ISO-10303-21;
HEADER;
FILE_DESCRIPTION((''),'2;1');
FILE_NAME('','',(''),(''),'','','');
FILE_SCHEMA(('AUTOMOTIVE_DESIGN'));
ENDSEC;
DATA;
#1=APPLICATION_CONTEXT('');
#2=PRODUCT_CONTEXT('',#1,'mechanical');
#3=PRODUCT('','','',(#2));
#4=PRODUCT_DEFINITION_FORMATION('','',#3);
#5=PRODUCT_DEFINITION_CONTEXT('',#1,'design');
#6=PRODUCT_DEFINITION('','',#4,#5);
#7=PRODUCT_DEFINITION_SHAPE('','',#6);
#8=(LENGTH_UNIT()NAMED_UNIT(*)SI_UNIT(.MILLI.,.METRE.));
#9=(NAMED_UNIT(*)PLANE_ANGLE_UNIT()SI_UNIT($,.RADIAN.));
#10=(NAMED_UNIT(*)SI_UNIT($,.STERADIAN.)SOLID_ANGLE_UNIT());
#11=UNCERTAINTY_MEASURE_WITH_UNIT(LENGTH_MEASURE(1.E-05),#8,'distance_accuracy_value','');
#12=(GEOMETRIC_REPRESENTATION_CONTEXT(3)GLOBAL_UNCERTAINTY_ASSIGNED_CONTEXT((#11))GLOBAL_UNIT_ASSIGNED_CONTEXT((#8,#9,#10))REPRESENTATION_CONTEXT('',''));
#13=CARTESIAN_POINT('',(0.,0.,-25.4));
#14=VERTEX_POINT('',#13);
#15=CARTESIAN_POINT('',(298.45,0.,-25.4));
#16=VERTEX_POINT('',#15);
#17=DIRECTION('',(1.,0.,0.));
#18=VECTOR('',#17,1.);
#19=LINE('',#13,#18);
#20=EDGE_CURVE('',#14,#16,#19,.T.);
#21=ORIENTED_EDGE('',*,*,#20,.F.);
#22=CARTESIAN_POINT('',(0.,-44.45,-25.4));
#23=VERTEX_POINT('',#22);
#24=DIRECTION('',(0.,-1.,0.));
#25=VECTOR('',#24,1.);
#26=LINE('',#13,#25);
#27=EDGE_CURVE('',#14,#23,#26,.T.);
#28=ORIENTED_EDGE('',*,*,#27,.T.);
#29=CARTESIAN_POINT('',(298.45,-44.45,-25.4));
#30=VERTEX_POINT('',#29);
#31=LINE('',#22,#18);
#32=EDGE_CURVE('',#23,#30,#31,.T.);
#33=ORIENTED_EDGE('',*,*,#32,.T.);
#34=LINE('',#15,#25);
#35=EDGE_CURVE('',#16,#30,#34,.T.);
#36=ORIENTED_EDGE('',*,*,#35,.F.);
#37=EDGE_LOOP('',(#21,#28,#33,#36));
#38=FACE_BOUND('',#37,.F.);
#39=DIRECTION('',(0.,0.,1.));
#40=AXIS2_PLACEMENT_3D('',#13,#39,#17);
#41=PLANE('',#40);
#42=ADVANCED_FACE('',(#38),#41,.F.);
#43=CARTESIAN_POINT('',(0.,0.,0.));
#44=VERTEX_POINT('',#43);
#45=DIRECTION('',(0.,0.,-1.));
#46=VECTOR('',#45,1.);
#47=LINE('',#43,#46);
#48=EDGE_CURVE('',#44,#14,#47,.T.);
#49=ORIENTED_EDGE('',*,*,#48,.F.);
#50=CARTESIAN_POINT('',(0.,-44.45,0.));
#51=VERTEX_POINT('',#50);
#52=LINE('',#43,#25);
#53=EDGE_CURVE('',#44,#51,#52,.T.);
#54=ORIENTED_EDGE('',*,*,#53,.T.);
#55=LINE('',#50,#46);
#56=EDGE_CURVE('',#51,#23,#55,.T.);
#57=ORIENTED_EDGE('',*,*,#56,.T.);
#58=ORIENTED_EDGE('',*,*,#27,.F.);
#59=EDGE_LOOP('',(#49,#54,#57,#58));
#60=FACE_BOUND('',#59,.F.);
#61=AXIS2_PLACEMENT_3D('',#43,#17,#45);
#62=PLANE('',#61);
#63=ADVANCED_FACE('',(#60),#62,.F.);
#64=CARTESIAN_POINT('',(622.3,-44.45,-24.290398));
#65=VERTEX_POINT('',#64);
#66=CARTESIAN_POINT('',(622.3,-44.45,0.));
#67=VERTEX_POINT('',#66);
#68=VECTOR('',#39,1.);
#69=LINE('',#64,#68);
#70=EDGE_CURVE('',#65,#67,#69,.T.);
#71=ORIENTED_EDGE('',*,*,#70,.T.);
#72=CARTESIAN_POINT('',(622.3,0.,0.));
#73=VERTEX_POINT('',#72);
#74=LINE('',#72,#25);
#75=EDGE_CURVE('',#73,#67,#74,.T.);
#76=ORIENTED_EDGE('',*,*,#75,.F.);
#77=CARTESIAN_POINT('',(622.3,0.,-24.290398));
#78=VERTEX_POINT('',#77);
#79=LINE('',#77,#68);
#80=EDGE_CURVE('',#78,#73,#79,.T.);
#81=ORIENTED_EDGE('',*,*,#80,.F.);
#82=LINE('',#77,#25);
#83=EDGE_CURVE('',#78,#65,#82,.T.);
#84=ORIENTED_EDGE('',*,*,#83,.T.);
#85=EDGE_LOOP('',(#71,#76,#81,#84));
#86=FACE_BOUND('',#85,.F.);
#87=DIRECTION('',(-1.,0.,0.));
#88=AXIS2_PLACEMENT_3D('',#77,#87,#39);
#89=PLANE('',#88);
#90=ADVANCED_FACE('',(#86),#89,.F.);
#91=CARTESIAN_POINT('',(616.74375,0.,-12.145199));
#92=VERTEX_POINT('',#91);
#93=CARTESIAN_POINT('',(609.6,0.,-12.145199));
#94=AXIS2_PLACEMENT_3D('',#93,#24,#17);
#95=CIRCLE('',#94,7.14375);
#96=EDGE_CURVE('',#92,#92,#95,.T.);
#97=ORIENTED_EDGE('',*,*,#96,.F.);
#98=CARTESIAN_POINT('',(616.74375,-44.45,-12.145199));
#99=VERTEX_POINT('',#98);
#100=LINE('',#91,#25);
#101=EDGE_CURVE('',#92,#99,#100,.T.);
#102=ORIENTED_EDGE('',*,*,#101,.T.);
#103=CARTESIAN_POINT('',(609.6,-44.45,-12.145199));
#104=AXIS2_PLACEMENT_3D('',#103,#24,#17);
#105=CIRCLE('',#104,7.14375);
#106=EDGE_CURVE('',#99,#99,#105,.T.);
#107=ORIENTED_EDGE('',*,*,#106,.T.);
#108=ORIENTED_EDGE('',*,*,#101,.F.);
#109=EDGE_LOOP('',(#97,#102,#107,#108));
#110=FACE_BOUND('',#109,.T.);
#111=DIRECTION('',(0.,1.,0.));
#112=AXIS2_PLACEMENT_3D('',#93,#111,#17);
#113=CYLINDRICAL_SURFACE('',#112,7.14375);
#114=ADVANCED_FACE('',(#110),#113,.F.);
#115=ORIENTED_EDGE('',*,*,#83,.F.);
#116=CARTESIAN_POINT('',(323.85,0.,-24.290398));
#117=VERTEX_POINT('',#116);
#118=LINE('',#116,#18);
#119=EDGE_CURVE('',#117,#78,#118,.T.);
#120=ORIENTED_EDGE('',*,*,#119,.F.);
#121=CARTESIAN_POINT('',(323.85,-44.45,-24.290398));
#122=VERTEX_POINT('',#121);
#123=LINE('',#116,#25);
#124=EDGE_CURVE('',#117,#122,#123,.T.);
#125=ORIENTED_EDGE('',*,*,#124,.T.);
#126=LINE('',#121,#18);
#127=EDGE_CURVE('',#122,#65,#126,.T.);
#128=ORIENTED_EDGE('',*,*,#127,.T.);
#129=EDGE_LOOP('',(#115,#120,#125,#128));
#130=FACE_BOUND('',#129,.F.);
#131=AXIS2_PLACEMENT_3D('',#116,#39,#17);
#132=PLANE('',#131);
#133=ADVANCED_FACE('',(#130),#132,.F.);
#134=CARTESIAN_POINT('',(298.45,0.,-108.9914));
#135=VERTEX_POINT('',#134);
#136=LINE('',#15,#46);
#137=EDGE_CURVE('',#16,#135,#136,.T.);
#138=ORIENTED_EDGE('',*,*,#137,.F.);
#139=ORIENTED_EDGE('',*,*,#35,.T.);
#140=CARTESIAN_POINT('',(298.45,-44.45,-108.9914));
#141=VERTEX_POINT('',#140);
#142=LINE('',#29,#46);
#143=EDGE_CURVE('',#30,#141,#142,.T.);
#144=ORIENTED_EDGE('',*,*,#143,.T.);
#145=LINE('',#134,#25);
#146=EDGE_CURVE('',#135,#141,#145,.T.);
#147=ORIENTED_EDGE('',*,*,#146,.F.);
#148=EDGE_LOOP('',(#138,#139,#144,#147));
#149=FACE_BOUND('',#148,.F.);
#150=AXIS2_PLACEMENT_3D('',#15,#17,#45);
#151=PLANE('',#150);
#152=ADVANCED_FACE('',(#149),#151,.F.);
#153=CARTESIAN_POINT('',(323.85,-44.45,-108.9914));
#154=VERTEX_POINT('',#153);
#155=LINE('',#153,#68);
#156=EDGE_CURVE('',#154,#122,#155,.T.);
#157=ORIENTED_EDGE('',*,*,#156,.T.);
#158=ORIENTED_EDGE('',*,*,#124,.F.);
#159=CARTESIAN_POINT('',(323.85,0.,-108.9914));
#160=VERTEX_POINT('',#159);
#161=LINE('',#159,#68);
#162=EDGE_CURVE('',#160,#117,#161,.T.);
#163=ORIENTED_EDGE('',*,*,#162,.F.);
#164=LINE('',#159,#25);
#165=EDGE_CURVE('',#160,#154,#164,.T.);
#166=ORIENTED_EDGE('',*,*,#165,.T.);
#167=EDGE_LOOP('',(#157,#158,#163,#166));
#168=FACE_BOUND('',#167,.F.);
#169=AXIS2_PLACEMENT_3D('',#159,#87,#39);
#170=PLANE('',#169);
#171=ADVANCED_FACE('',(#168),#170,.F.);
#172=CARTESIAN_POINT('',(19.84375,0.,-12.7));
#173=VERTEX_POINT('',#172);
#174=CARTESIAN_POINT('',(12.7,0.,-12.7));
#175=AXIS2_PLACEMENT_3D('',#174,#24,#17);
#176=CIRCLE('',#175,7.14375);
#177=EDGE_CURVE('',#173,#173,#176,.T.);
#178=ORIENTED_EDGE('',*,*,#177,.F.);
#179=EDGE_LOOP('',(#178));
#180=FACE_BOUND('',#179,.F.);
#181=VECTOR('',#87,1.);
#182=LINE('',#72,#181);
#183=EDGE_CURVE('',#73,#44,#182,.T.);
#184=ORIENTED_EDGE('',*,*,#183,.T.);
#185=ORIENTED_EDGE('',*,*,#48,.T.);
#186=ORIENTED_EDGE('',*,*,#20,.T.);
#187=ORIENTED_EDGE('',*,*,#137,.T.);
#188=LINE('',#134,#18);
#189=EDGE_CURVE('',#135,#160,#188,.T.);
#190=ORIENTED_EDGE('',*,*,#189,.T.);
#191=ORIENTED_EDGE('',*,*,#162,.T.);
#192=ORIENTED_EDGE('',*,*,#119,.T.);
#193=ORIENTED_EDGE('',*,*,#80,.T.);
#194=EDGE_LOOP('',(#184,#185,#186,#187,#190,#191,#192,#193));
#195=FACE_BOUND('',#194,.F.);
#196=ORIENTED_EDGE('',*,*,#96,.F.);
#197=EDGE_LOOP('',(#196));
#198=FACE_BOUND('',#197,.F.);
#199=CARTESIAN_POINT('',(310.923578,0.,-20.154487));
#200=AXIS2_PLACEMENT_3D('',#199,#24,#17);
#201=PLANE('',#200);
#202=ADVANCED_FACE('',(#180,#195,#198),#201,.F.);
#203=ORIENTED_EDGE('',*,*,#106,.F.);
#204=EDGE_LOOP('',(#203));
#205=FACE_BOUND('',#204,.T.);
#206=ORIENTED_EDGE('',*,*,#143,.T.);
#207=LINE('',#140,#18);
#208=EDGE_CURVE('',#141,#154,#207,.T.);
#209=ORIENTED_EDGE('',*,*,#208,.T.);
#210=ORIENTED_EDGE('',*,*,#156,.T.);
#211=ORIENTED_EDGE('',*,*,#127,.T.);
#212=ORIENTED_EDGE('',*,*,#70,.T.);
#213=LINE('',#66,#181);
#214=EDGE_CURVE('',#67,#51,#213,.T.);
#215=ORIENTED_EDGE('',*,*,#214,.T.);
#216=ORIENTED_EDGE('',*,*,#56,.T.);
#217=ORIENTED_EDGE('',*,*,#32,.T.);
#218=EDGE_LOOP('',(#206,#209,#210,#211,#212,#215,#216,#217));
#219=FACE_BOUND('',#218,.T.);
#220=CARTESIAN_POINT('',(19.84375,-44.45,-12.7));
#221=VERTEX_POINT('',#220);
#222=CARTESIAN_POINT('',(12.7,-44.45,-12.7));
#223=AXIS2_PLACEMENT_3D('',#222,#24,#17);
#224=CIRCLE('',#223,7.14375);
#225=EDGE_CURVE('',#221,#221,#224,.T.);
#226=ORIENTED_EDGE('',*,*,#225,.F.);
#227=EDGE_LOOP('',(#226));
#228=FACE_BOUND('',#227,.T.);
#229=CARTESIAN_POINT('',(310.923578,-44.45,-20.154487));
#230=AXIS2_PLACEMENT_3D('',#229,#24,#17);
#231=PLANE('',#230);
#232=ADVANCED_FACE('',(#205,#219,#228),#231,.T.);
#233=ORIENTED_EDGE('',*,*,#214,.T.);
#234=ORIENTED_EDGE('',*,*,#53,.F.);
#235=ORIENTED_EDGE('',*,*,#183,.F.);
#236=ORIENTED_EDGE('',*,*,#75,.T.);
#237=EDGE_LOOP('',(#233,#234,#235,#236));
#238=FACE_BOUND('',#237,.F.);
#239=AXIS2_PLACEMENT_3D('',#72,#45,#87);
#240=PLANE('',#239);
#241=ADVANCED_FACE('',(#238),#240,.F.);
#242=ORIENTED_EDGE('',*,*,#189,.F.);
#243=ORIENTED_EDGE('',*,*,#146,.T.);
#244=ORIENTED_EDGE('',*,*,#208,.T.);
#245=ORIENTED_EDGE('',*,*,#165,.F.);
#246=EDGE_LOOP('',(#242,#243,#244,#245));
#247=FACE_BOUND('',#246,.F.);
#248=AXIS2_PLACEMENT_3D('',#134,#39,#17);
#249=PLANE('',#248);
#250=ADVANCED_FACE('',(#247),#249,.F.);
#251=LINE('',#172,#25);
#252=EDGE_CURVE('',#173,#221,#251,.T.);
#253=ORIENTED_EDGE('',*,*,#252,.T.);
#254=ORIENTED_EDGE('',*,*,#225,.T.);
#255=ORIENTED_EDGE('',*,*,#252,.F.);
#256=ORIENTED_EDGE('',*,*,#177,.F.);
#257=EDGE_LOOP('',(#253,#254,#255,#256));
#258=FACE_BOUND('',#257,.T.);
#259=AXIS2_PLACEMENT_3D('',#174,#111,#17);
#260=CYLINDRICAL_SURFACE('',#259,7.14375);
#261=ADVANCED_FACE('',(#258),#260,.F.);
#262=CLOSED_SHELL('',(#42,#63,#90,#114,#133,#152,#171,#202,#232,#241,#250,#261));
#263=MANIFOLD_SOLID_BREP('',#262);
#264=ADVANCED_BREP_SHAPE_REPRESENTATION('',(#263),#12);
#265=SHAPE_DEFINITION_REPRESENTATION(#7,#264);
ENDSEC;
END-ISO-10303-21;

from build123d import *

# Parameters (mm, degrees)
F0_R     = 7.14375
F1_DEPTH = 44.45


with BuildPart() as f1:
    # F0 (on Front) → F1 (new body)
    with BuildSketch(Plane.XZ):
        Polygon((622.3, 0), (0, 0), (0, -25.4), (298.45, -25.4), (298.45, -108.9914), (323.85, -108.9914), (323.85, -24.290398), (622.3, -24.290398), align=None)
        with Locations((12.7, -12.7)):
            Circle(F0_R, mode=Mode.SUBTRACT)
        with Locations((609.6, -12.145199)):
            Circle(F0_R, mode=Mode.SUBTRACT)
    extrude(amount=F1_DEPTH)


solid = f1.part
